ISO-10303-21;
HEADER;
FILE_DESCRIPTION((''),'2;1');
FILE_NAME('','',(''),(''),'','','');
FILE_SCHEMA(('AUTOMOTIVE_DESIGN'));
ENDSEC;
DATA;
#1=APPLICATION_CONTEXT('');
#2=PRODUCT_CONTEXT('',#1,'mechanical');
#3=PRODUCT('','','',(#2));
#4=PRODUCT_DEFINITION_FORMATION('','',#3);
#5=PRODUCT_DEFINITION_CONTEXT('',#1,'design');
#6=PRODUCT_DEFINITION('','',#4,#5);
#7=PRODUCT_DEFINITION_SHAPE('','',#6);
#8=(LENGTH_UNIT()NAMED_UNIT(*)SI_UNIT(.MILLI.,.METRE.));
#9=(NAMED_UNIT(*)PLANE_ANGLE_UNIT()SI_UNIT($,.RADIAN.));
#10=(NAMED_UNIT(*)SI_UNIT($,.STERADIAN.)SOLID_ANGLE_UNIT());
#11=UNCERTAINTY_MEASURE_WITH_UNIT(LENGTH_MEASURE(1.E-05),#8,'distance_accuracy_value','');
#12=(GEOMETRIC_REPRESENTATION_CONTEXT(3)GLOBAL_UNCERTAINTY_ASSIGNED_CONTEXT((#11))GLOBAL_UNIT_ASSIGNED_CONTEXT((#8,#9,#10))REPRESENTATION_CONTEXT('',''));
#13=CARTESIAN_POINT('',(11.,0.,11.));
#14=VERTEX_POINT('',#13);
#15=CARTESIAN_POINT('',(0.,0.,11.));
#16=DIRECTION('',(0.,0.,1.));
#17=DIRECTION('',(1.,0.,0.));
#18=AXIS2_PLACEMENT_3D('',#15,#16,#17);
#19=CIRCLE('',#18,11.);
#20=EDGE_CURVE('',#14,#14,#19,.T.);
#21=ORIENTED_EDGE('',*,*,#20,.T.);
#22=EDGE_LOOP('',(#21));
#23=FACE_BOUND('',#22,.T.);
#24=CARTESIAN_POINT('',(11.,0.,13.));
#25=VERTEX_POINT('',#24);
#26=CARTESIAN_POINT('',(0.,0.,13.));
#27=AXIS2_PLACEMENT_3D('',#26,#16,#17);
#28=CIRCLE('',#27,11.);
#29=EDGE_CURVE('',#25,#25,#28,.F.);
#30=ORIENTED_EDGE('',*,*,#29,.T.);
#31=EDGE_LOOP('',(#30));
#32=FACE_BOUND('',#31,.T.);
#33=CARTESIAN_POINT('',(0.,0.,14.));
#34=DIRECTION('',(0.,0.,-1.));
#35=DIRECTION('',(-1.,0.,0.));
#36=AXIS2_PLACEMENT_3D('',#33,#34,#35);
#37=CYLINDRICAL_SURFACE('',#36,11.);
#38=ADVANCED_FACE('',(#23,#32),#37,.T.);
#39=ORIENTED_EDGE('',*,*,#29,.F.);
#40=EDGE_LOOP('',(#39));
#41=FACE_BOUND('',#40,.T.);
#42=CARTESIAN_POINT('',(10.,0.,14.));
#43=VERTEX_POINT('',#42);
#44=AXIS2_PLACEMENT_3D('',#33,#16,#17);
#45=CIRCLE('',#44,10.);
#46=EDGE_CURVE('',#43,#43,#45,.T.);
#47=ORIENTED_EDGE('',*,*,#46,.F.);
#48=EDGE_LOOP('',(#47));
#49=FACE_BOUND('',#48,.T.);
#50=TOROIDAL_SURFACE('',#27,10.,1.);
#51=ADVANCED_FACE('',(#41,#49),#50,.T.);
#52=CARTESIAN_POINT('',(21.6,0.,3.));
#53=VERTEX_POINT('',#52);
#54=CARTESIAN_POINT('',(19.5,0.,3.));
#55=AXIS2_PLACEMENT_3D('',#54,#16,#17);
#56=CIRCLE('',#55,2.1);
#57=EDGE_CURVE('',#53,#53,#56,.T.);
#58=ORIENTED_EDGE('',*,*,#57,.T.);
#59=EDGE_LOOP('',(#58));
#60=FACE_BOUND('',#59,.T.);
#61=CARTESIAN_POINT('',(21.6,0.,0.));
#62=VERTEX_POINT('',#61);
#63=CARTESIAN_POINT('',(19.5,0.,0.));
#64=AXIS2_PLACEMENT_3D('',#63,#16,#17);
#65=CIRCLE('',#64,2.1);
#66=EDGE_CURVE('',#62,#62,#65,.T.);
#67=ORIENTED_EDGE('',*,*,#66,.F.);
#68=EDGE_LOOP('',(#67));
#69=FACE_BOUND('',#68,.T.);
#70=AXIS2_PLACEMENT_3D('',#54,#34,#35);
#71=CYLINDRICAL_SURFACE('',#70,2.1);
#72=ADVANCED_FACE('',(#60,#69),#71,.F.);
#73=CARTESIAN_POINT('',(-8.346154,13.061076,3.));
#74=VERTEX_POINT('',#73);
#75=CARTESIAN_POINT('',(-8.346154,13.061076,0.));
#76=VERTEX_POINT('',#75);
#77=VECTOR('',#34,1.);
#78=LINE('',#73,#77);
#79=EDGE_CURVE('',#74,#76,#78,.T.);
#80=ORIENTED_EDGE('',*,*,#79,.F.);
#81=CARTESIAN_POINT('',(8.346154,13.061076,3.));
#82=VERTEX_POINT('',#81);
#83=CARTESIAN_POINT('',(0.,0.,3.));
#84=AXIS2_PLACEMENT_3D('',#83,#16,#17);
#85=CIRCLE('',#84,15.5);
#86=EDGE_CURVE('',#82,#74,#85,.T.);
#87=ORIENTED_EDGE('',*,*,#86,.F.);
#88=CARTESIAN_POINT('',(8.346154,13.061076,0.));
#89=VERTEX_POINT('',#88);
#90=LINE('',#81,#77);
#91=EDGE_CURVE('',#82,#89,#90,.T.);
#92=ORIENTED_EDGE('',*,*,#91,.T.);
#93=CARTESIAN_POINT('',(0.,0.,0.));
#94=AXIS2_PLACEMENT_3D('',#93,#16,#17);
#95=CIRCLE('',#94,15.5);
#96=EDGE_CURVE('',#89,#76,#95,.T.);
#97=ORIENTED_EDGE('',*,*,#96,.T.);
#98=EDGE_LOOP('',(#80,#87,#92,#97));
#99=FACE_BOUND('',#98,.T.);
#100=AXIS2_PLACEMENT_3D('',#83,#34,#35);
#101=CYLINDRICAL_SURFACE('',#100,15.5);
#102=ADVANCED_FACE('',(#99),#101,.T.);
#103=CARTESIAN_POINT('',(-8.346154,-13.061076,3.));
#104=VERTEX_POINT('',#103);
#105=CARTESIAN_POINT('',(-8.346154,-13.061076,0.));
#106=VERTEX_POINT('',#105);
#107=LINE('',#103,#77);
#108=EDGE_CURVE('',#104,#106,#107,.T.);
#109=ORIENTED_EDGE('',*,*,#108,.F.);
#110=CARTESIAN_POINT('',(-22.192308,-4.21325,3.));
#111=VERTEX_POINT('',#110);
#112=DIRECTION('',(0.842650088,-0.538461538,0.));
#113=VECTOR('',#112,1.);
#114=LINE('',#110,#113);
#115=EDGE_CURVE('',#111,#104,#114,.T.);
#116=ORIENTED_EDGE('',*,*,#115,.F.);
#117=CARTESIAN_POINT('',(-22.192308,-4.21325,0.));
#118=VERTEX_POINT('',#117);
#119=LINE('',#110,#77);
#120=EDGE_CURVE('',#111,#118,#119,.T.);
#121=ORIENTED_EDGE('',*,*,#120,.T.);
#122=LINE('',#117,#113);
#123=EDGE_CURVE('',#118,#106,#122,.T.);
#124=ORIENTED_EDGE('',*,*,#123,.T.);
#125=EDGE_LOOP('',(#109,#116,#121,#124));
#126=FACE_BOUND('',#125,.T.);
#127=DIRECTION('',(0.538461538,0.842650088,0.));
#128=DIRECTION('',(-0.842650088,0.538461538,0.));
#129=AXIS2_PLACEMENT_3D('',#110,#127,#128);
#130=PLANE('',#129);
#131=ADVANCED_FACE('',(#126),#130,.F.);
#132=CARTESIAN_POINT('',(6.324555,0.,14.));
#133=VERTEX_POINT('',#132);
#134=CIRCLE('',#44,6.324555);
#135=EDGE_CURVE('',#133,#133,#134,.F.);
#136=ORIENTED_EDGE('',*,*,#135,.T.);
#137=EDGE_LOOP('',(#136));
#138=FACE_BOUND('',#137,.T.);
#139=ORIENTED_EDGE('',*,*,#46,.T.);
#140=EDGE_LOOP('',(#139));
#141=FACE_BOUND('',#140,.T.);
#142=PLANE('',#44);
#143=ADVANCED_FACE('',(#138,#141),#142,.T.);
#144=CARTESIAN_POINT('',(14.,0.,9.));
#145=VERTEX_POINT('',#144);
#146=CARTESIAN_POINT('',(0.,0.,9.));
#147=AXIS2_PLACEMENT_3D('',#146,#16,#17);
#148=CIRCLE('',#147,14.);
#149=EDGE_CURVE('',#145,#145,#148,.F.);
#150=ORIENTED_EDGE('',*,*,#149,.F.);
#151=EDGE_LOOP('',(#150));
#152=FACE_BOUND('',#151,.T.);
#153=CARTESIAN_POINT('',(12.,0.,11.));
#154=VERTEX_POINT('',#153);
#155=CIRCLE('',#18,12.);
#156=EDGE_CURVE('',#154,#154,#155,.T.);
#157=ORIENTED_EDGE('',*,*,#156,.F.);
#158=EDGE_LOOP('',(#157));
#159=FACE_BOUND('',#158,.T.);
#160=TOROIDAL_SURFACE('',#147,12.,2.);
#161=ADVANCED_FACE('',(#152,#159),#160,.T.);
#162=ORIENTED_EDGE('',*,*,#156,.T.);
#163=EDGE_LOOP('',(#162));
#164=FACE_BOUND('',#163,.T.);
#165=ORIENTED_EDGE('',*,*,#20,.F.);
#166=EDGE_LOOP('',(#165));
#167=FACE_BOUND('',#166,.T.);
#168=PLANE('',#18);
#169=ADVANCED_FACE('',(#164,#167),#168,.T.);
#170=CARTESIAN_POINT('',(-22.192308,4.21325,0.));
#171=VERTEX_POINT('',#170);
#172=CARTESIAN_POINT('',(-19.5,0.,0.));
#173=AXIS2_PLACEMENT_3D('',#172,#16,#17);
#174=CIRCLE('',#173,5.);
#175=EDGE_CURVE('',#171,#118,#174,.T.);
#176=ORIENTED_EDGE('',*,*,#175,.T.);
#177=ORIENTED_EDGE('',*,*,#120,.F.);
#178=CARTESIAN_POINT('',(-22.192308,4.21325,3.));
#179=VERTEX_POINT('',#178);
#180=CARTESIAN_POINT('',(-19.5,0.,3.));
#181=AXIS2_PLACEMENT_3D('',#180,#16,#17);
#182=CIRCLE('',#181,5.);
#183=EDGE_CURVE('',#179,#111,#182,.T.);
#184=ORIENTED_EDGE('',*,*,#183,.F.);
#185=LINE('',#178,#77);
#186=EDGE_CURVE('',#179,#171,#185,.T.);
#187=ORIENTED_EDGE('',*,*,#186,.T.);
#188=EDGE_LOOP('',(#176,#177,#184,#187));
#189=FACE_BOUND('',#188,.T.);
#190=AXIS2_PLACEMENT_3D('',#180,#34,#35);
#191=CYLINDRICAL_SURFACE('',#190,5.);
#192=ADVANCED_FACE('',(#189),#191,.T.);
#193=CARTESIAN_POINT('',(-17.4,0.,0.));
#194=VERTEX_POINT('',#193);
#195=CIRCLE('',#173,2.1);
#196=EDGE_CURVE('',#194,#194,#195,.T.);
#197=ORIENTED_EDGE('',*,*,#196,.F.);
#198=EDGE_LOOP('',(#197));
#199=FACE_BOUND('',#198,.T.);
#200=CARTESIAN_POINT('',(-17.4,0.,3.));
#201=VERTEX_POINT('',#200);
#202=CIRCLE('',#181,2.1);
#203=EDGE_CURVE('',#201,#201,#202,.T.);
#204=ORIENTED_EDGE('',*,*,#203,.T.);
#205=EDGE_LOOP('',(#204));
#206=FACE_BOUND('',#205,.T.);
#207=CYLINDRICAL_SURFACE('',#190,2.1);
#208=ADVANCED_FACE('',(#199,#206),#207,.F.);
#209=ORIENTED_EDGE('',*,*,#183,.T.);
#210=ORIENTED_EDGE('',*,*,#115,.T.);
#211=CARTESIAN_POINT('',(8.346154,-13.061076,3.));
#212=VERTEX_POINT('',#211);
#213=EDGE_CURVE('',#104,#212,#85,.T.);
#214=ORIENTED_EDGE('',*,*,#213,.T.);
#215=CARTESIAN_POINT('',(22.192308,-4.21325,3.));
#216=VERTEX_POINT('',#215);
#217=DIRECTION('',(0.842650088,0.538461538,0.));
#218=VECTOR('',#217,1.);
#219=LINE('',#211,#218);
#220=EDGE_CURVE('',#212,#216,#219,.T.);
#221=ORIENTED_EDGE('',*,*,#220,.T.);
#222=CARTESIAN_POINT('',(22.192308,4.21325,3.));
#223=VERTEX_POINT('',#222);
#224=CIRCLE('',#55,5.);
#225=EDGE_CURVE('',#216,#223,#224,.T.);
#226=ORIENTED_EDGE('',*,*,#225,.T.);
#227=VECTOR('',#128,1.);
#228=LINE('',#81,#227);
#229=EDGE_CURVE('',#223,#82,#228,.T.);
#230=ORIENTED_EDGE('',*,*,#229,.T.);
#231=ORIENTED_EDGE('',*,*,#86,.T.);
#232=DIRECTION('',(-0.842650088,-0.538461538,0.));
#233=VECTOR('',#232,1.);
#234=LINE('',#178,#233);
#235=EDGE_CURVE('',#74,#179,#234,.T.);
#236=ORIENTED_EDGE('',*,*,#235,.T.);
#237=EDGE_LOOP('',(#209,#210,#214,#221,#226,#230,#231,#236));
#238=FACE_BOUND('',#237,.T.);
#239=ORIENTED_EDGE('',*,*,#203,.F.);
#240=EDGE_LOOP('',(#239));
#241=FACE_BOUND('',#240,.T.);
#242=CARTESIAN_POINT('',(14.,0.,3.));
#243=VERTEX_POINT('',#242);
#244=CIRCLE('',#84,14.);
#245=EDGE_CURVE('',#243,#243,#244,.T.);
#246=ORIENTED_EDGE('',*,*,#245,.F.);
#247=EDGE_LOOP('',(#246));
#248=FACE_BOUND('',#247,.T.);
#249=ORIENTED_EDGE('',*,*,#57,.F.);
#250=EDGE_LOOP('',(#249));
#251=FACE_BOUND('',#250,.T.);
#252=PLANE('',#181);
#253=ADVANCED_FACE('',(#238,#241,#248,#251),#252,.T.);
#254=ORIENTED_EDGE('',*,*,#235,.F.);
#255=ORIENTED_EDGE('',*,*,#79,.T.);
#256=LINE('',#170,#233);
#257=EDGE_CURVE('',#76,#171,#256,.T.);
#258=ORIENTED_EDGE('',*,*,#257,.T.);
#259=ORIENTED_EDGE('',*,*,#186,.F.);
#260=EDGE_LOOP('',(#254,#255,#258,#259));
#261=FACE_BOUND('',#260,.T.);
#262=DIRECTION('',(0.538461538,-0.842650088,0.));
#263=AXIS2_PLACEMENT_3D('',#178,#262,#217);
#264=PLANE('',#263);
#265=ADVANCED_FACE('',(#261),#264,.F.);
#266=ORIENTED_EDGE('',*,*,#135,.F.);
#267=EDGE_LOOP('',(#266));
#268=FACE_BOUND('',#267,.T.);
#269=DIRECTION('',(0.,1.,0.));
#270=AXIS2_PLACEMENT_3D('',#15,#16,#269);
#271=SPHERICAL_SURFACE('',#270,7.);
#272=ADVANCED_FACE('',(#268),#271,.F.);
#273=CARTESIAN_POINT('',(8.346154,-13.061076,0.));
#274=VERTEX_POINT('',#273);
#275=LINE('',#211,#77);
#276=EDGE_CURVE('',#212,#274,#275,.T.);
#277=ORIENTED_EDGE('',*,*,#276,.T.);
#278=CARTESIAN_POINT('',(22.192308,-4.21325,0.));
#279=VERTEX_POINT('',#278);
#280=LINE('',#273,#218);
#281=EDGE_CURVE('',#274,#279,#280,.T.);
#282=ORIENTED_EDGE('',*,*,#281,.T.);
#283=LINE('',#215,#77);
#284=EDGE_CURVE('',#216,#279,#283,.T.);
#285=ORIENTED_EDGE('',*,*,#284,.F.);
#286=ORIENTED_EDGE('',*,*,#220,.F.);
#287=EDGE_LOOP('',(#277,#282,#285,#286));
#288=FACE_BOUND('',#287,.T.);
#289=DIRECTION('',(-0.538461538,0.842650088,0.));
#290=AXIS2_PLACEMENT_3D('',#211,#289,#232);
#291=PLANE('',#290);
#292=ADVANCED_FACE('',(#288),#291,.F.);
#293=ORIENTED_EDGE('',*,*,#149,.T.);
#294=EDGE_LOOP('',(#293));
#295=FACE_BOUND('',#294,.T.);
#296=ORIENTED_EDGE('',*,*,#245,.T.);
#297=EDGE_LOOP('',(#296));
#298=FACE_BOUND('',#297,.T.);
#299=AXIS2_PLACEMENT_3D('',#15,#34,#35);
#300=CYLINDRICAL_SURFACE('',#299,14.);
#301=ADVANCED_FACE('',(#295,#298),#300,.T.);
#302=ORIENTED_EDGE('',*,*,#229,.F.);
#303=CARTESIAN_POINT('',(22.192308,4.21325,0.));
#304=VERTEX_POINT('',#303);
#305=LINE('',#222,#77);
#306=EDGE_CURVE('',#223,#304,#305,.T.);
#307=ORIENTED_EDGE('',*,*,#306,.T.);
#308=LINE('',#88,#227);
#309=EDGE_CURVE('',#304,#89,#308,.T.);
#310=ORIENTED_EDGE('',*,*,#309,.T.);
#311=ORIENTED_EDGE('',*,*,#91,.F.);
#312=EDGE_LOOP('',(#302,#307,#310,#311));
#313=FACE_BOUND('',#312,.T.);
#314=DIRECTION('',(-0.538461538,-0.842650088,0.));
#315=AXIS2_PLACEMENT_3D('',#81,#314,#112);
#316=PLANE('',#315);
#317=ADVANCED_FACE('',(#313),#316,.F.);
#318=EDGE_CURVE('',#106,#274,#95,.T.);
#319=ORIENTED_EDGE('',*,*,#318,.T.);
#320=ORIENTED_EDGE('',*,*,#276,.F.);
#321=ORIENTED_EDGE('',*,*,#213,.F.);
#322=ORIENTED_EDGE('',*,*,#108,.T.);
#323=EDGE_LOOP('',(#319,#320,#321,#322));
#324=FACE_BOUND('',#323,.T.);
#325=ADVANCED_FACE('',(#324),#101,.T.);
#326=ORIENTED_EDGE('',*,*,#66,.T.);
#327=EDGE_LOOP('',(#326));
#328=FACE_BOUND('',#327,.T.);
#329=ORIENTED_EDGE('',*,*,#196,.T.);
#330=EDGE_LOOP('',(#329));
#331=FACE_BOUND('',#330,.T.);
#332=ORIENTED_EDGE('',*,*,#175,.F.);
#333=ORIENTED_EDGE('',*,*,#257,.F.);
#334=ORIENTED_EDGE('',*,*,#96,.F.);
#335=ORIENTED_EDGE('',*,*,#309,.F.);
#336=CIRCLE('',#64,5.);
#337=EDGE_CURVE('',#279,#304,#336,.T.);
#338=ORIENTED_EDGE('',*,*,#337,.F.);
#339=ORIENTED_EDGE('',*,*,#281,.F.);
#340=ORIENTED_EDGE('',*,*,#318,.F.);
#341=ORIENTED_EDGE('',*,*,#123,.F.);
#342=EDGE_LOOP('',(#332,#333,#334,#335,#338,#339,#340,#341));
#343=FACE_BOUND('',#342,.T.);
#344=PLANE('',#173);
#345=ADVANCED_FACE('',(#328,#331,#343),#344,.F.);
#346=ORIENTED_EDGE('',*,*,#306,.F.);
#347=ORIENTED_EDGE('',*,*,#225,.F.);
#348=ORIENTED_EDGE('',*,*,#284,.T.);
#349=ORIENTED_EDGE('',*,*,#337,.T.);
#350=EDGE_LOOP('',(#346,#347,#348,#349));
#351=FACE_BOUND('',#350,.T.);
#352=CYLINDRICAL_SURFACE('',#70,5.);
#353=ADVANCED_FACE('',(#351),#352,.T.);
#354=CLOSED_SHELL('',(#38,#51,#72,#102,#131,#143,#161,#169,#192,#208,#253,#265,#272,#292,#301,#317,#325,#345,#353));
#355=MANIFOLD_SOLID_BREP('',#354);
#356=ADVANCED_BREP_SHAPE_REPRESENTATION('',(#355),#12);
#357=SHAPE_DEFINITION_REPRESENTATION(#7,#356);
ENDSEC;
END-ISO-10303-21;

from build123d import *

# Parameters (mm, degrees)
SKETCH_1_R      = 2.1
EXTRUDE_1_DEPTH = 3
SKETCH_2_R      = 14
EXTRUDE_2_DEPTH = 8
SKETCH_3_R      = 11
EXTRUDE_3_DEPTH = 3
FILLET_1_R      = 2
FILLET_2_R      = 1


with BuildPart() as part:
    # 草图1 → 凸台-拉伸1 (new body)
    with BuildSketch(Plane.XY):
        with BuildLine():
            Line((-22.192307692, 4.213250442), (-8.346153846, 13.061076371))
            ThreePointArc((-8.346153846, 13.061076371), (0, 15.5), (8.346153846, 13.061076371))
            Line((8.346153846, 13.061076371), (22.192307692, 4.213250442))
            ThreePointArc((22.192307692, 4.213250442), (24.5, 0), (22.192307692, -4.213250442))
            Line((22.192307692, -4.213250442), (8.346153846, -13.061076371))
            ThreePointArc((8.346153846, -13.061076371), (0, -15.5), (-8.346153846, -13.061076371))
            Line((-8.346153846, -13.061076371), (-22.192307692, -4.213250442))
            ThreePointArc((-22.192307692, -4.213250442), (-24.5, 0), (-22.192307692, 4.213250442))
        make_face()
        with Locations((-19.5, 0)):
            Circle(SKETCH_1_R, mode=Mode.SUBTRACT)
        with Locations((19.5, 0)):
            Circle(SKETCH_1_R, mode=Mode.SUBTRACT)
    extrude(amount=EXTRUDE_1_DEPTH)

    # 草图2 → 凸台-拉伸2 (add)
    with BuildSketch(Plane.XY.offset(3)):
        Circle(SKETCH_2_R)
    extrude(amount=EXTRUDE_2_DEPTH)

    # 草图3 → 凸台-拉伸3 (add)
    with BuildSketch(Plane.XY.offset(11)):
        Circle(SKETCH_3_R)
    extrude(amount=EXTRUDE_3_DEPTH)

    # 草图4 → 切除-旋转1 (revolve, cut)
    with BuildSketch(Plane(origin=(0, 0, 0), x_dir=(0, 0, -1), z_dir=(1, 0, 0))):
        with BuildLine():
            Line((-18, 0), (-4, 0))
            ThreePointArc((-4, 0), (-11, 7), (-18, 0))
        make_face()
    revolve(axis=Axis((0, 0, 18), (0, 0, -1)), mode=Mode.SUBTRACT)

    # 圆角1
    fillet_1_edges = [part.edges().sort_by_distance(p)[0] for p in [
        (-14, 0, 11),
    ]]
    fillet(fillet_1_edges, radius=FILLET_1_R)

    # 圆角2
    fillet_2_edges = [part.edges().sort_by_distance(p)[0] for p in [
        (-11, 0, 14),
    ]]
    fillet(fillet_2_edges, radius=FILLET_2_R)


solid = part.part
